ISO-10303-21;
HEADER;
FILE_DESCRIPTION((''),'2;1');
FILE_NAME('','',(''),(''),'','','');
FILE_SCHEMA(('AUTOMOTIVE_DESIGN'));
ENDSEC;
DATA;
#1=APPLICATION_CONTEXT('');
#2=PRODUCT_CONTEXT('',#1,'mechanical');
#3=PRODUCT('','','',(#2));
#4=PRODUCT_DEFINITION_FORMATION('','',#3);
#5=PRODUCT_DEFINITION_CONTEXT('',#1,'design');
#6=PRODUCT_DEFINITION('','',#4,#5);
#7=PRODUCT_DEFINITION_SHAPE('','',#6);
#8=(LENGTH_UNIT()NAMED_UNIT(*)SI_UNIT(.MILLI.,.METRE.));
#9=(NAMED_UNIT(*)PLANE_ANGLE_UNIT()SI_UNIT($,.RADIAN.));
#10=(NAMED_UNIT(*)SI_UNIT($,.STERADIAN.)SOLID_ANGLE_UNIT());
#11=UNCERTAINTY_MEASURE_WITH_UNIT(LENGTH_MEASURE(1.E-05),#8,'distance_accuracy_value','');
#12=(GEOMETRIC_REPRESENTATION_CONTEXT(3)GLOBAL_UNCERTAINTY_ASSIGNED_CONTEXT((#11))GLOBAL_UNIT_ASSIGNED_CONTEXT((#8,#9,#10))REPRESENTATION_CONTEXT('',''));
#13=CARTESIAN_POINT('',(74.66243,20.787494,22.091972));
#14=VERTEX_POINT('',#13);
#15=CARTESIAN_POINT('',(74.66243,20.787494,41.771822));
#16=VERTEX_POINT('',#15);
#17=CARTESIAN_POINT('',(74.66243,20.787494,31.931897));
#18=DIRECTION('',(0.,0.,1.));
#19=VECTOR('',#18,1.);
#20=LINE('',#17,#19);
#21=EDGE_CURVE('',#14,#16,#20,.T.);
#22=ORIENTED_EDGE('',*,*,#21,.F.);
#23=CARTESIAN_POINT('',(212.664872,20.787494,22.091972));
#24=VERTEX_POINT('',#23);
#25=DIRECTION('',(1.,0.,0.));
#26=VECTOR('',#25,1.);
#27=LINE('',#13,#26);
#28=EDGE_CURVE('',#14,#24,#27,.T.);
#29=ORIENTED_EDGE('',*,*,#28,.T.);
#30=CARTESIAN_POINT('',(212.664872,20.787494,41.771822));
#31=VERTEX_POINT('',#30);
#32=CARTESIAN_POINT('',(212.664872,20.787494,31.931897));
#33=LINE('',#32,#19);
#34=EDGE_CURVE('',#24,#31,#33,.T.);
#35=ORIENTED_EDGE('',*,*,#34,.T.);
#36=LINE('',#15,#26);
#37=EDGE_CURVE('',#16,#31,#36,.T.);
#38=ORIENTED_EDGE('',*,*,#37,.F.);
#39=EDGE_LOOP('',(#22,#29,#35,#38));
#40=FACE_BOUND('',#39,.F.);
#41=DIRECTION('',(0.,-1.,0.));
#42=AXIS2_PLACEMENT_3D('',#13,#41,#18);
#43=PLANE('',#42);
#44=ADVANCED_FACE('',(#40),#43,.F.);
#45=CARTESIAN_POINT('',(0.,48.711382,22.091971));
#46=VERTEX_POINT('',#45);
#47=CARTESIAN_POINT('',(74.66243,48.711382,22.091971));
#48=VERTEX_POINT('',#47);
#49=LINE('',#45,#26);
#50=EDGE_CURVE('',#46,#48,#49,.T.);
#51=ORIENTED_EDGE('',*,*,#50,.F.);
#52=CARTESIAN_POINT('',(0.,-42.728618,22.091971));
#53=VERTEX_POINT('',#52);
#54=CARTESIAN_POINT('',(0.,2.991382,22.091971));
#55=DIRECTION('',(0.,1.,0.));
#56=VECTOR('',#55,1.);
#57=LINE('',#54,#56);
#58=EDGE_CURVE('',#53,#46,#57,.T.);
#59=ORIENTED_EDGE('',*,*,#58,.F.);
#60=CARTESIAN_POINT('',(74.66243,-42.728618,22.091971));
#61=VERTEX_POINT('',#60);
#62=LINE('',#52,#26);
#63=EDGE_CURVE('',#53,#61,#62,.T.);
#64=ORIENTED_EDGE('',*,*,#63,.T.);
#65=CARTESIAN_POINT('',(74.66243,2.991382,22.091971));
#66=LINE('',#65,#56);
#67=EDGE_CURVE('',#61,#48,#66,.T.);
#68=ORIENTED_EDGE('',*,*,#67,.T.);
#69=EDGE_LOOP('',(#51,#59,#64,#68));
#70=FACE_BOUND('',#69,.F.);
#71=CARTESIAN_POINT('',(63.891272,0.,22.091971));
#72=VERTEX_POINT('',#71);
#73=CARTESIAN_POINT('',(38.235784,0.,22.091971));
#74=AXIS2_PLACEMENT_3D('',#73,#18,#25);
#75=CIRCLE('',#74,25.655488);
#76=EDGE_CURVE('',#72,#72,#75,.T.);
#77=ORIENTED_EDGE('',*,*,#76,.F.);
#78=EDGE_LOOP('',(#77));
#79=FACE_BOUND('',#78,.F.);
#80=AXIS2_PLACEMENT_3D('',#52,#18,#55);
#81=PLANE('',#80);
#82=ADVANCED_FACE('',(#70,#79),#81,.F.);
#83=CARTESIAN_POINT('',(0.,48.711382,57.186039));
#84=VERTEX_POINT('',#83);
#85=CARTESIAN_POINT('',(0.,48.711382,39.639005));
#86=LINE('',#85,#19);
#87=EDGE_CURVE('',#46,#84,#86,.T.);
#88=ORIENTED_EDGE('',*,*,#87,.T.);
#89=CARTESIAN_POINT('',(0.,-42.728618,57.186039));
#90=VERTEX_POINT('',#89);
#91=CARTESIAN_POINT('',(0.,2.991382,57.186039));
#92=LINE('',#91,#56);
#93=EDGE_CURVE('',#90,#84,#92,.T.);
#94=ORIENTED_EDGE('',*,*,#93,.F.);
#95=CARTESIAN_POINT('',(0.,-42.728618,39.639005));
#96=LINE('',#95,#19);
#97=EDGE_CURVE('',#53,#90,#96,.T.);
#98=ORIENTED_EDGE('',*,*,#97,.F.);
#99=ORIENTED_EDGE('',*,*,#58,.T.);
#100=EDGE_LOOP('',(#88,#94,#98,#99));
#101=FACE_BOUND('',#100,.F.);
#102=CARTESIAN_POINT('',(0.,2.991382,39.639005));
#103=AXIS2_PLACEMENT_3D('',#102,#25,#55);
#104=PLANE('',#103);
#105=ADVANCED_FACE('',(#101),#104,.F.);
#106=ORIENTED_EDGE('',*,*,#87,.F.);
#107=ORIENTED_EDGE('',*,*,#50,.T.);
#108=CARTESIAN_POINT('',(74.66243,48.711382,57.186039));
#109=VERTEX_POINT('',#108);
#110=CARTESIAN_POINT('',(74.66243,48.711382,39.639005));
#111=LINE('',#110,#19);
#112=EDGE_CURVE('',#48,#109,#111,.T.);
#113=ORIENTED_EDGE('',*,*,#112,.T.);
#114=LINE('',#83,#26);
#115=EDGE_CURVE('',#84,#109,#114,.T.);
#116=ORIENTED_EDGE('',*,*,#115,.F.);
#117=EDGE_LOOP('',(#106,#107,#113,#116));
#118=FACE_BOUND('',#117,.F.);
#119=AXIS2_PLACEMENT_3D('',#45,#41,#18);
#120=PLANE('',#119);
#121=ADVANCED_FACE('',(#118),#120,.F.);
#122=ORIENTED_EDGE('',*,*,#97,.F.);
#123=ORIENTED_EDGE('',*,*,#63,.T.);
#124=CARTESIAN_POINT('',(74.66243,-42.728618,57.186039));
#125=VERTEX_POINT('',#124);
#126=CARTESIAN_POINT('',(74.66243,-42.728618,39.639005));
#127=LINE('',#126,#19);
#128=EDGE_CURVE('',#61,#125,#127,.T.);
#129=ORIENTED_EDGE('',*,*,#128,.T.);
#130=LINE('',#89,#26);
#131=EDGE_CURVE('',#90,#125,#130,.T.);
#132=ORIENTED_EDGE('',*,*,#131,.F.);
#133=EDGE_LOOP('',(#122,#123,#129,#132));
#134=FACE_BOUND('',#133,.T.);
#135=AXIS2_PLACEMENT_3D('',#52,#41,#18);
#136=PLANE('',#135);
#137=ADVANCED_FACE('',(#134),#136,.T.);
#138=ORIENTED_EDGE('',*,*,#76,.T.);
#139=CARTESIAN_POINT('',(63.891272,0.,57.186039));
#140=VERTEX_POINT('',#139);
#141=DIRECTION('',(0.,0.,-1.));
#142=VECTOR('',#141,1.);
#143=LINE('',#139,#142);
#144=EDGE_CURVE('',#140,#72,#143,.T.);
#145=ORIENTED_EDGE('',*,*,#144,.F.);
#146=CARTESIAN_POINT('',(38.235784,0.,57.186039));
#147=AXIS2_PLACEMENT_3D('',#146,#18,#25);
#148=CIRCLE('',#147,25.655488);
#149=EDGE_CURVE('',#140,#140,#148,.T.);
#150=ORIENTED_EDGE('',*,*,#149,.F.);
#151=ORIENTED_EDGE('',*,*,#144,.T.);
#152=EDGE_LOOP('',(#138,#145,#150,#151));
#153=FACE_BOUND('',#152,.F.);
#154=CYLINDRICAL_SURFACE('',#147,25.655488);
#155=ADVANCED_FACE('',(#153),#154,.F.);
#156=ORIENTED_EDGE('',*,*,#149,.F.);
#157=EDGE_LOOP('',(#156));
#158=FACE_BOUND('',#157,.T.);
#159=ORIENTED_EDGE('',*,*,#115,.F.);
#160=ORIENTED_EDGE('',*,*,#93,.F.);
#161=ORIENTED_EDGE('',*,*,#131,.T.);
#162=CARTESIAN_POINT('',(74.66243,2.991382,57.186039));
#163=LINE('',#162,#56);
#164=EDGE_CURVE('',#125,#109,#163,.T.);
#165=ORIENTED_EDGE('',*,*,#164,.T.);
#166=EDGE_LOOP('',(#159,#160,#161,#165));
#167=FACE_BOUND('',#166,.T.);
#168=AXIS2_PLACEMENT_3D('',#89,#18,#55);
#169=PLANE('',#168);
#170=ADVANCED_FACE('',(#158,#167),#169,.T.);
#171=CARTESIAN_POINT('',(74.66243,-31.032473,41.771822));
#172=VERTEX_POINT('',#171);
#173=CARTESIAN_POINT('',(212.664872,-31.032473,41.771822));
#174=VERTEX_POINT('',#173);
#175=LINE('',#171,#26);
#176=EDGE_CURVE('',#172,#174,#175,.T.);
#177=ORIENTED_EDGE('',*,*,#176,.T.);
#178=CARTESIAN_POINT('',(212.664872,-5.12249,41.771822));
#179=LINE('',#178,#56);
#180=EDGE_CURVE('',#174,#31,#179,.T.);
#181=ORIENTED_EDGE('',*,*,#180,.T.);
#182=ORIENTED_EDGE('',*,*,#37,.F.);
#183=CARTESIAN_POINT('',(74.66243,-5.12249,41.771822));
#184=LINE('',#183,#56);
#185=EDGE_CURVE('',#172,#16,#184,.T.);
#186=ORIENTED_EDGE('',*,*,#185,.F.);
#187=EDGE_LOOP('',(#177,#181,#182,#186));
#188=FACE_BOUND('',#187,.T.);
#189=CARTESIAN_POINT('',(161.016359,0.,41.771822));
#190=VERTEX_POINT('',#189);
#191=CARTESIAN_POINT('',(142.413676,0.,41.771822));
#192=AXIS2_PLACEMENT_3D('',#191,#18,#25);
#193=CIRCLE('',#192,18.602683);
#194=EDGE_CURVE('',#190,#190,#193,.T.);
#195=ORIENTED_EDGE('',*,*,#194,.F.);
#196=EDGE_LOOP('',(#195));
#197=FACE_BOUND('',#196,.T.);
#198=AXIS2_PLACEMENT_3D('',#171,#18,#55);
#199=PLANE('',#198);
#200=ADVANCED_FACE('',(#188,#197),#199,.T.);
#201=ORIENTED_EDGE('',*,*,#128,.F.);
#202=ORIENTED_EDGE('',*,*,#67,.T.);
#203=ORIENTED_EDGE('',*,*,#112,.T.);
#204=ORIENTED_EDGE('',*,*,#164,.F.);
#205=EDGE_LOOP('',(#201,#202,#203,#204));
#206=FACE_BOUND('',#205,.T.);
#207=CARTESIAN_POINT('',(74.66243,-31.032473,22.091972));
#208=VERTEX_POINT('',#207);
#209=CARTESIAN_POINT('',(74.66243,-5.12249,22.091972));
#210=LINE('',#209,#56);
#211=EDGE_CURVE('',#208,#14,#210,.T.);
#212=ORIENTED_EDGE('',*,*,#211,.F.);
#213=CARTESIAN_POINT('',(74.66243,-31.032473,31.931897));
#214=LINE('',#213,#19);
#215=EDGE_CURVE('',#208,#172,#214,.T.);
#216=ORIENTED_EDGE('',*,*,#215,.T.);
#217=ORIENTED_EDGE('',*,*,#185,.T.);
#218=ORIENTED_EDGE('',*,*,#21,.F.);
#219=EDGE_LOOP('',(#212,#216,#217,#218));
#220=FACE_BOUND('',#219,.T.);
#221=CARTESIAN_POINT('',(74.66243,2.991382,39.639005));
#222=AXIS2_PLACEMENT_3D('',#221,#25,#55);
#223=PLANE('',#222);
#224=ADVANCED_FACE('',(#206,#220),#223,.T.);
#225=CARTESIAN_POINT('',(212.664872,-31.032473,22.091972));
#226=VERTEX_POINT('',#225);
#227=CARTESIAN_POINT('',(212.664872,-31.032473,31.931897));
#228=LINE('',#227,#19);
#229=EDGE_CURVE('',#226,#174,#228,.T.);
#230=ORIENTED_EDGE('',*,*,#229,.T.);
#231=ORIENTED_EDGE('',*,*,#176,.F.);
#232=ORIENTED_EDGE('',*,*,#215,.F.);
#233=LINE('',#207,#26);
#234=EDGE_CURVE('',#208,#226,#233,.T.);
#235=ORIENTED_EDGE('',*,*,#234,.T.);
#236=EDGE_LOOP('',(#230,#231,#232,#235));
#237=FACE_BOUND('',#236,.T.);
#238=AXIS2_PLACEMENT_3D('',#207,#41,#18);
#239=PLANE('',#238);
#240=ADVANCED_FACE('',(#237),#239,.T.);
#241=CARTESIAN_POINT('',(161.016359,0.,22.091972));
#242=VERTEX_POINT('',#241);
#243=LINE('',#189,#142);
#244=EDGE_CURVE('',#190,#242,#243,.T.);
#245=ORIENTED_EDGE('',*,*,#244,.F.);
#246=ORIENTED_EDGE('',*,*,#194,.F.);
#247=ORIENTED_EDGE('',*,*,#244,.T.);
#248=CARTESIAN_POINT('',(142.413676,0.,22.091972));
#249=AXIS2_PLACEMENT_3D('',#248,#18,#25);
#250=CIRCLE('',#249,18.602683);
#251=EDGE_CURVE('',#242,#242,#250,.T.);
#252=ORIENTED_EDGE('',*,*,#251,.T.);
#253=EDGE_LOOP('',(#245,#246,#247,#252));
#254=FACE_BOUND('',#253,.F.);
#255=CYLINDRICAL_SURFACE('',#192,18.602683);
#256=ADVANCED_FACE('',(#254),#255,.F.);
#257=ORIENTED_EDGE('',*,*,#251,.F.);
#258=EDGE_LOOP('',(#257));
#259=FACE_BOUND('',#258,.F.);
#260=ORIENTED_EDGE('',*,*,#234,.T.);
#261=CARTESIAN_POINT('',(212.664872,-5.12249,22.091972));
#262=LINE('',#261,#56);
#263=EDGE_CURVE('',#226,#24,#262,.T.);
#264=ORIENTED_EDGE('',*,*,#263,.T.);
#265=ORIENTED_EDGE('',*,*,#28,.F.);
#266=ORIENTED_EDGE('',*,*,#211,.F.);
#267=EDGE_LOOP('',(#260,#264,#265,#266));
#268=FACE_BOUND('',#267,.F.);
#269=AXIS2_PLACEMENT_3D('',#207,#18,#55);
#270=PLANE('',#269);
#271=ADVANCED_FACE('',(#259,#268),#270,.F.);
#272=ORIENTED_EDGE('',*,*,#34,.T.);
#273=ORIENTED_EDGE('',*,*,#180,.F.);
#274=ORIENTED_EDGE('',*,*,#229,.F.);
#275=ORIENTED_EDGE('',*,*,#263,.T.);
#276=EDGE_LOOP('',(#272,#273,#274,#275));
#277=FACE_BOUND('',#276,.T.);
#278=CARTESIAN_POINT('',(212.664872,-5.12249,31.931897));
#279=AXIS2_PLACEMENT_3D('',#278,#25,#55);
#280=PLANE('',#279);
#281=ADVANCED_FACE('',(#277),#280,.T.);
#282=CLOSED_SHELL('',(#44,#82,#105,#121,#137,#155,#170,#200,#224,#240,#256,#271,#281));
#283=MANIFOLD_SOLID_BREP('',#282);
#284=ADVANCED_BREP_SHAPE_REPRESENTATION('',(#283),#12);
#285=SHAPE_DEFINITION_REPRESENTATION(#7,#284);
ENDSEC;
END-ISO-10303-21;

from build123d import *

# Parameters (mm, degrees)
F0_W     = 91.44
F0_H     = 35.094067
F1_DEPTH = 74.66243
F2_R     = 25.655488
F3_DEPTH = 59.964648
F4_W     = 51.819967
F4_H     = 19.67985
F5_DEPTH = 138.002442
F6_R     = 18.602683
F7_DEPTH = 87.077601


with BuildPart() as f1:
    # F0 (on Right) → F1 (new body)
    with BuildSketch(Plane.YZ):
        with Locations((2.991382, 39.639005)):
            Rectangle(F0_W, F0_H)
    extrude(amount=F1_DEPTH)

    # F2 (on face) → F3 (cut)
    with BuildSketch(Plane.XY.offset(57.186039)):
        with Locations((38.235784, 0)):
            Circle(F2_R)
    extrude(amount=-F3_DEPTH, mode=Mode.SUBTRACT)

    # F4 (on face) → F5 (join)
    with BuildSketch(Plane.YZ.offset(74.66243)):
        with Locations((-5.12249, 31.931897)):
            Rectangle(F4_W, F4_H)
    extrude(amount=F5_DEPTH)

    # F6 (on face) → F7 (cut)
    with BuildSketch(Plane.XY.offset(41.771822)):
        with Locations((142.413676, 0)):
            Circle(F6_R)
    extrude(amount=-F7_DEPTH, mode=Mode.SUBTRACT)


solid = f1.part
